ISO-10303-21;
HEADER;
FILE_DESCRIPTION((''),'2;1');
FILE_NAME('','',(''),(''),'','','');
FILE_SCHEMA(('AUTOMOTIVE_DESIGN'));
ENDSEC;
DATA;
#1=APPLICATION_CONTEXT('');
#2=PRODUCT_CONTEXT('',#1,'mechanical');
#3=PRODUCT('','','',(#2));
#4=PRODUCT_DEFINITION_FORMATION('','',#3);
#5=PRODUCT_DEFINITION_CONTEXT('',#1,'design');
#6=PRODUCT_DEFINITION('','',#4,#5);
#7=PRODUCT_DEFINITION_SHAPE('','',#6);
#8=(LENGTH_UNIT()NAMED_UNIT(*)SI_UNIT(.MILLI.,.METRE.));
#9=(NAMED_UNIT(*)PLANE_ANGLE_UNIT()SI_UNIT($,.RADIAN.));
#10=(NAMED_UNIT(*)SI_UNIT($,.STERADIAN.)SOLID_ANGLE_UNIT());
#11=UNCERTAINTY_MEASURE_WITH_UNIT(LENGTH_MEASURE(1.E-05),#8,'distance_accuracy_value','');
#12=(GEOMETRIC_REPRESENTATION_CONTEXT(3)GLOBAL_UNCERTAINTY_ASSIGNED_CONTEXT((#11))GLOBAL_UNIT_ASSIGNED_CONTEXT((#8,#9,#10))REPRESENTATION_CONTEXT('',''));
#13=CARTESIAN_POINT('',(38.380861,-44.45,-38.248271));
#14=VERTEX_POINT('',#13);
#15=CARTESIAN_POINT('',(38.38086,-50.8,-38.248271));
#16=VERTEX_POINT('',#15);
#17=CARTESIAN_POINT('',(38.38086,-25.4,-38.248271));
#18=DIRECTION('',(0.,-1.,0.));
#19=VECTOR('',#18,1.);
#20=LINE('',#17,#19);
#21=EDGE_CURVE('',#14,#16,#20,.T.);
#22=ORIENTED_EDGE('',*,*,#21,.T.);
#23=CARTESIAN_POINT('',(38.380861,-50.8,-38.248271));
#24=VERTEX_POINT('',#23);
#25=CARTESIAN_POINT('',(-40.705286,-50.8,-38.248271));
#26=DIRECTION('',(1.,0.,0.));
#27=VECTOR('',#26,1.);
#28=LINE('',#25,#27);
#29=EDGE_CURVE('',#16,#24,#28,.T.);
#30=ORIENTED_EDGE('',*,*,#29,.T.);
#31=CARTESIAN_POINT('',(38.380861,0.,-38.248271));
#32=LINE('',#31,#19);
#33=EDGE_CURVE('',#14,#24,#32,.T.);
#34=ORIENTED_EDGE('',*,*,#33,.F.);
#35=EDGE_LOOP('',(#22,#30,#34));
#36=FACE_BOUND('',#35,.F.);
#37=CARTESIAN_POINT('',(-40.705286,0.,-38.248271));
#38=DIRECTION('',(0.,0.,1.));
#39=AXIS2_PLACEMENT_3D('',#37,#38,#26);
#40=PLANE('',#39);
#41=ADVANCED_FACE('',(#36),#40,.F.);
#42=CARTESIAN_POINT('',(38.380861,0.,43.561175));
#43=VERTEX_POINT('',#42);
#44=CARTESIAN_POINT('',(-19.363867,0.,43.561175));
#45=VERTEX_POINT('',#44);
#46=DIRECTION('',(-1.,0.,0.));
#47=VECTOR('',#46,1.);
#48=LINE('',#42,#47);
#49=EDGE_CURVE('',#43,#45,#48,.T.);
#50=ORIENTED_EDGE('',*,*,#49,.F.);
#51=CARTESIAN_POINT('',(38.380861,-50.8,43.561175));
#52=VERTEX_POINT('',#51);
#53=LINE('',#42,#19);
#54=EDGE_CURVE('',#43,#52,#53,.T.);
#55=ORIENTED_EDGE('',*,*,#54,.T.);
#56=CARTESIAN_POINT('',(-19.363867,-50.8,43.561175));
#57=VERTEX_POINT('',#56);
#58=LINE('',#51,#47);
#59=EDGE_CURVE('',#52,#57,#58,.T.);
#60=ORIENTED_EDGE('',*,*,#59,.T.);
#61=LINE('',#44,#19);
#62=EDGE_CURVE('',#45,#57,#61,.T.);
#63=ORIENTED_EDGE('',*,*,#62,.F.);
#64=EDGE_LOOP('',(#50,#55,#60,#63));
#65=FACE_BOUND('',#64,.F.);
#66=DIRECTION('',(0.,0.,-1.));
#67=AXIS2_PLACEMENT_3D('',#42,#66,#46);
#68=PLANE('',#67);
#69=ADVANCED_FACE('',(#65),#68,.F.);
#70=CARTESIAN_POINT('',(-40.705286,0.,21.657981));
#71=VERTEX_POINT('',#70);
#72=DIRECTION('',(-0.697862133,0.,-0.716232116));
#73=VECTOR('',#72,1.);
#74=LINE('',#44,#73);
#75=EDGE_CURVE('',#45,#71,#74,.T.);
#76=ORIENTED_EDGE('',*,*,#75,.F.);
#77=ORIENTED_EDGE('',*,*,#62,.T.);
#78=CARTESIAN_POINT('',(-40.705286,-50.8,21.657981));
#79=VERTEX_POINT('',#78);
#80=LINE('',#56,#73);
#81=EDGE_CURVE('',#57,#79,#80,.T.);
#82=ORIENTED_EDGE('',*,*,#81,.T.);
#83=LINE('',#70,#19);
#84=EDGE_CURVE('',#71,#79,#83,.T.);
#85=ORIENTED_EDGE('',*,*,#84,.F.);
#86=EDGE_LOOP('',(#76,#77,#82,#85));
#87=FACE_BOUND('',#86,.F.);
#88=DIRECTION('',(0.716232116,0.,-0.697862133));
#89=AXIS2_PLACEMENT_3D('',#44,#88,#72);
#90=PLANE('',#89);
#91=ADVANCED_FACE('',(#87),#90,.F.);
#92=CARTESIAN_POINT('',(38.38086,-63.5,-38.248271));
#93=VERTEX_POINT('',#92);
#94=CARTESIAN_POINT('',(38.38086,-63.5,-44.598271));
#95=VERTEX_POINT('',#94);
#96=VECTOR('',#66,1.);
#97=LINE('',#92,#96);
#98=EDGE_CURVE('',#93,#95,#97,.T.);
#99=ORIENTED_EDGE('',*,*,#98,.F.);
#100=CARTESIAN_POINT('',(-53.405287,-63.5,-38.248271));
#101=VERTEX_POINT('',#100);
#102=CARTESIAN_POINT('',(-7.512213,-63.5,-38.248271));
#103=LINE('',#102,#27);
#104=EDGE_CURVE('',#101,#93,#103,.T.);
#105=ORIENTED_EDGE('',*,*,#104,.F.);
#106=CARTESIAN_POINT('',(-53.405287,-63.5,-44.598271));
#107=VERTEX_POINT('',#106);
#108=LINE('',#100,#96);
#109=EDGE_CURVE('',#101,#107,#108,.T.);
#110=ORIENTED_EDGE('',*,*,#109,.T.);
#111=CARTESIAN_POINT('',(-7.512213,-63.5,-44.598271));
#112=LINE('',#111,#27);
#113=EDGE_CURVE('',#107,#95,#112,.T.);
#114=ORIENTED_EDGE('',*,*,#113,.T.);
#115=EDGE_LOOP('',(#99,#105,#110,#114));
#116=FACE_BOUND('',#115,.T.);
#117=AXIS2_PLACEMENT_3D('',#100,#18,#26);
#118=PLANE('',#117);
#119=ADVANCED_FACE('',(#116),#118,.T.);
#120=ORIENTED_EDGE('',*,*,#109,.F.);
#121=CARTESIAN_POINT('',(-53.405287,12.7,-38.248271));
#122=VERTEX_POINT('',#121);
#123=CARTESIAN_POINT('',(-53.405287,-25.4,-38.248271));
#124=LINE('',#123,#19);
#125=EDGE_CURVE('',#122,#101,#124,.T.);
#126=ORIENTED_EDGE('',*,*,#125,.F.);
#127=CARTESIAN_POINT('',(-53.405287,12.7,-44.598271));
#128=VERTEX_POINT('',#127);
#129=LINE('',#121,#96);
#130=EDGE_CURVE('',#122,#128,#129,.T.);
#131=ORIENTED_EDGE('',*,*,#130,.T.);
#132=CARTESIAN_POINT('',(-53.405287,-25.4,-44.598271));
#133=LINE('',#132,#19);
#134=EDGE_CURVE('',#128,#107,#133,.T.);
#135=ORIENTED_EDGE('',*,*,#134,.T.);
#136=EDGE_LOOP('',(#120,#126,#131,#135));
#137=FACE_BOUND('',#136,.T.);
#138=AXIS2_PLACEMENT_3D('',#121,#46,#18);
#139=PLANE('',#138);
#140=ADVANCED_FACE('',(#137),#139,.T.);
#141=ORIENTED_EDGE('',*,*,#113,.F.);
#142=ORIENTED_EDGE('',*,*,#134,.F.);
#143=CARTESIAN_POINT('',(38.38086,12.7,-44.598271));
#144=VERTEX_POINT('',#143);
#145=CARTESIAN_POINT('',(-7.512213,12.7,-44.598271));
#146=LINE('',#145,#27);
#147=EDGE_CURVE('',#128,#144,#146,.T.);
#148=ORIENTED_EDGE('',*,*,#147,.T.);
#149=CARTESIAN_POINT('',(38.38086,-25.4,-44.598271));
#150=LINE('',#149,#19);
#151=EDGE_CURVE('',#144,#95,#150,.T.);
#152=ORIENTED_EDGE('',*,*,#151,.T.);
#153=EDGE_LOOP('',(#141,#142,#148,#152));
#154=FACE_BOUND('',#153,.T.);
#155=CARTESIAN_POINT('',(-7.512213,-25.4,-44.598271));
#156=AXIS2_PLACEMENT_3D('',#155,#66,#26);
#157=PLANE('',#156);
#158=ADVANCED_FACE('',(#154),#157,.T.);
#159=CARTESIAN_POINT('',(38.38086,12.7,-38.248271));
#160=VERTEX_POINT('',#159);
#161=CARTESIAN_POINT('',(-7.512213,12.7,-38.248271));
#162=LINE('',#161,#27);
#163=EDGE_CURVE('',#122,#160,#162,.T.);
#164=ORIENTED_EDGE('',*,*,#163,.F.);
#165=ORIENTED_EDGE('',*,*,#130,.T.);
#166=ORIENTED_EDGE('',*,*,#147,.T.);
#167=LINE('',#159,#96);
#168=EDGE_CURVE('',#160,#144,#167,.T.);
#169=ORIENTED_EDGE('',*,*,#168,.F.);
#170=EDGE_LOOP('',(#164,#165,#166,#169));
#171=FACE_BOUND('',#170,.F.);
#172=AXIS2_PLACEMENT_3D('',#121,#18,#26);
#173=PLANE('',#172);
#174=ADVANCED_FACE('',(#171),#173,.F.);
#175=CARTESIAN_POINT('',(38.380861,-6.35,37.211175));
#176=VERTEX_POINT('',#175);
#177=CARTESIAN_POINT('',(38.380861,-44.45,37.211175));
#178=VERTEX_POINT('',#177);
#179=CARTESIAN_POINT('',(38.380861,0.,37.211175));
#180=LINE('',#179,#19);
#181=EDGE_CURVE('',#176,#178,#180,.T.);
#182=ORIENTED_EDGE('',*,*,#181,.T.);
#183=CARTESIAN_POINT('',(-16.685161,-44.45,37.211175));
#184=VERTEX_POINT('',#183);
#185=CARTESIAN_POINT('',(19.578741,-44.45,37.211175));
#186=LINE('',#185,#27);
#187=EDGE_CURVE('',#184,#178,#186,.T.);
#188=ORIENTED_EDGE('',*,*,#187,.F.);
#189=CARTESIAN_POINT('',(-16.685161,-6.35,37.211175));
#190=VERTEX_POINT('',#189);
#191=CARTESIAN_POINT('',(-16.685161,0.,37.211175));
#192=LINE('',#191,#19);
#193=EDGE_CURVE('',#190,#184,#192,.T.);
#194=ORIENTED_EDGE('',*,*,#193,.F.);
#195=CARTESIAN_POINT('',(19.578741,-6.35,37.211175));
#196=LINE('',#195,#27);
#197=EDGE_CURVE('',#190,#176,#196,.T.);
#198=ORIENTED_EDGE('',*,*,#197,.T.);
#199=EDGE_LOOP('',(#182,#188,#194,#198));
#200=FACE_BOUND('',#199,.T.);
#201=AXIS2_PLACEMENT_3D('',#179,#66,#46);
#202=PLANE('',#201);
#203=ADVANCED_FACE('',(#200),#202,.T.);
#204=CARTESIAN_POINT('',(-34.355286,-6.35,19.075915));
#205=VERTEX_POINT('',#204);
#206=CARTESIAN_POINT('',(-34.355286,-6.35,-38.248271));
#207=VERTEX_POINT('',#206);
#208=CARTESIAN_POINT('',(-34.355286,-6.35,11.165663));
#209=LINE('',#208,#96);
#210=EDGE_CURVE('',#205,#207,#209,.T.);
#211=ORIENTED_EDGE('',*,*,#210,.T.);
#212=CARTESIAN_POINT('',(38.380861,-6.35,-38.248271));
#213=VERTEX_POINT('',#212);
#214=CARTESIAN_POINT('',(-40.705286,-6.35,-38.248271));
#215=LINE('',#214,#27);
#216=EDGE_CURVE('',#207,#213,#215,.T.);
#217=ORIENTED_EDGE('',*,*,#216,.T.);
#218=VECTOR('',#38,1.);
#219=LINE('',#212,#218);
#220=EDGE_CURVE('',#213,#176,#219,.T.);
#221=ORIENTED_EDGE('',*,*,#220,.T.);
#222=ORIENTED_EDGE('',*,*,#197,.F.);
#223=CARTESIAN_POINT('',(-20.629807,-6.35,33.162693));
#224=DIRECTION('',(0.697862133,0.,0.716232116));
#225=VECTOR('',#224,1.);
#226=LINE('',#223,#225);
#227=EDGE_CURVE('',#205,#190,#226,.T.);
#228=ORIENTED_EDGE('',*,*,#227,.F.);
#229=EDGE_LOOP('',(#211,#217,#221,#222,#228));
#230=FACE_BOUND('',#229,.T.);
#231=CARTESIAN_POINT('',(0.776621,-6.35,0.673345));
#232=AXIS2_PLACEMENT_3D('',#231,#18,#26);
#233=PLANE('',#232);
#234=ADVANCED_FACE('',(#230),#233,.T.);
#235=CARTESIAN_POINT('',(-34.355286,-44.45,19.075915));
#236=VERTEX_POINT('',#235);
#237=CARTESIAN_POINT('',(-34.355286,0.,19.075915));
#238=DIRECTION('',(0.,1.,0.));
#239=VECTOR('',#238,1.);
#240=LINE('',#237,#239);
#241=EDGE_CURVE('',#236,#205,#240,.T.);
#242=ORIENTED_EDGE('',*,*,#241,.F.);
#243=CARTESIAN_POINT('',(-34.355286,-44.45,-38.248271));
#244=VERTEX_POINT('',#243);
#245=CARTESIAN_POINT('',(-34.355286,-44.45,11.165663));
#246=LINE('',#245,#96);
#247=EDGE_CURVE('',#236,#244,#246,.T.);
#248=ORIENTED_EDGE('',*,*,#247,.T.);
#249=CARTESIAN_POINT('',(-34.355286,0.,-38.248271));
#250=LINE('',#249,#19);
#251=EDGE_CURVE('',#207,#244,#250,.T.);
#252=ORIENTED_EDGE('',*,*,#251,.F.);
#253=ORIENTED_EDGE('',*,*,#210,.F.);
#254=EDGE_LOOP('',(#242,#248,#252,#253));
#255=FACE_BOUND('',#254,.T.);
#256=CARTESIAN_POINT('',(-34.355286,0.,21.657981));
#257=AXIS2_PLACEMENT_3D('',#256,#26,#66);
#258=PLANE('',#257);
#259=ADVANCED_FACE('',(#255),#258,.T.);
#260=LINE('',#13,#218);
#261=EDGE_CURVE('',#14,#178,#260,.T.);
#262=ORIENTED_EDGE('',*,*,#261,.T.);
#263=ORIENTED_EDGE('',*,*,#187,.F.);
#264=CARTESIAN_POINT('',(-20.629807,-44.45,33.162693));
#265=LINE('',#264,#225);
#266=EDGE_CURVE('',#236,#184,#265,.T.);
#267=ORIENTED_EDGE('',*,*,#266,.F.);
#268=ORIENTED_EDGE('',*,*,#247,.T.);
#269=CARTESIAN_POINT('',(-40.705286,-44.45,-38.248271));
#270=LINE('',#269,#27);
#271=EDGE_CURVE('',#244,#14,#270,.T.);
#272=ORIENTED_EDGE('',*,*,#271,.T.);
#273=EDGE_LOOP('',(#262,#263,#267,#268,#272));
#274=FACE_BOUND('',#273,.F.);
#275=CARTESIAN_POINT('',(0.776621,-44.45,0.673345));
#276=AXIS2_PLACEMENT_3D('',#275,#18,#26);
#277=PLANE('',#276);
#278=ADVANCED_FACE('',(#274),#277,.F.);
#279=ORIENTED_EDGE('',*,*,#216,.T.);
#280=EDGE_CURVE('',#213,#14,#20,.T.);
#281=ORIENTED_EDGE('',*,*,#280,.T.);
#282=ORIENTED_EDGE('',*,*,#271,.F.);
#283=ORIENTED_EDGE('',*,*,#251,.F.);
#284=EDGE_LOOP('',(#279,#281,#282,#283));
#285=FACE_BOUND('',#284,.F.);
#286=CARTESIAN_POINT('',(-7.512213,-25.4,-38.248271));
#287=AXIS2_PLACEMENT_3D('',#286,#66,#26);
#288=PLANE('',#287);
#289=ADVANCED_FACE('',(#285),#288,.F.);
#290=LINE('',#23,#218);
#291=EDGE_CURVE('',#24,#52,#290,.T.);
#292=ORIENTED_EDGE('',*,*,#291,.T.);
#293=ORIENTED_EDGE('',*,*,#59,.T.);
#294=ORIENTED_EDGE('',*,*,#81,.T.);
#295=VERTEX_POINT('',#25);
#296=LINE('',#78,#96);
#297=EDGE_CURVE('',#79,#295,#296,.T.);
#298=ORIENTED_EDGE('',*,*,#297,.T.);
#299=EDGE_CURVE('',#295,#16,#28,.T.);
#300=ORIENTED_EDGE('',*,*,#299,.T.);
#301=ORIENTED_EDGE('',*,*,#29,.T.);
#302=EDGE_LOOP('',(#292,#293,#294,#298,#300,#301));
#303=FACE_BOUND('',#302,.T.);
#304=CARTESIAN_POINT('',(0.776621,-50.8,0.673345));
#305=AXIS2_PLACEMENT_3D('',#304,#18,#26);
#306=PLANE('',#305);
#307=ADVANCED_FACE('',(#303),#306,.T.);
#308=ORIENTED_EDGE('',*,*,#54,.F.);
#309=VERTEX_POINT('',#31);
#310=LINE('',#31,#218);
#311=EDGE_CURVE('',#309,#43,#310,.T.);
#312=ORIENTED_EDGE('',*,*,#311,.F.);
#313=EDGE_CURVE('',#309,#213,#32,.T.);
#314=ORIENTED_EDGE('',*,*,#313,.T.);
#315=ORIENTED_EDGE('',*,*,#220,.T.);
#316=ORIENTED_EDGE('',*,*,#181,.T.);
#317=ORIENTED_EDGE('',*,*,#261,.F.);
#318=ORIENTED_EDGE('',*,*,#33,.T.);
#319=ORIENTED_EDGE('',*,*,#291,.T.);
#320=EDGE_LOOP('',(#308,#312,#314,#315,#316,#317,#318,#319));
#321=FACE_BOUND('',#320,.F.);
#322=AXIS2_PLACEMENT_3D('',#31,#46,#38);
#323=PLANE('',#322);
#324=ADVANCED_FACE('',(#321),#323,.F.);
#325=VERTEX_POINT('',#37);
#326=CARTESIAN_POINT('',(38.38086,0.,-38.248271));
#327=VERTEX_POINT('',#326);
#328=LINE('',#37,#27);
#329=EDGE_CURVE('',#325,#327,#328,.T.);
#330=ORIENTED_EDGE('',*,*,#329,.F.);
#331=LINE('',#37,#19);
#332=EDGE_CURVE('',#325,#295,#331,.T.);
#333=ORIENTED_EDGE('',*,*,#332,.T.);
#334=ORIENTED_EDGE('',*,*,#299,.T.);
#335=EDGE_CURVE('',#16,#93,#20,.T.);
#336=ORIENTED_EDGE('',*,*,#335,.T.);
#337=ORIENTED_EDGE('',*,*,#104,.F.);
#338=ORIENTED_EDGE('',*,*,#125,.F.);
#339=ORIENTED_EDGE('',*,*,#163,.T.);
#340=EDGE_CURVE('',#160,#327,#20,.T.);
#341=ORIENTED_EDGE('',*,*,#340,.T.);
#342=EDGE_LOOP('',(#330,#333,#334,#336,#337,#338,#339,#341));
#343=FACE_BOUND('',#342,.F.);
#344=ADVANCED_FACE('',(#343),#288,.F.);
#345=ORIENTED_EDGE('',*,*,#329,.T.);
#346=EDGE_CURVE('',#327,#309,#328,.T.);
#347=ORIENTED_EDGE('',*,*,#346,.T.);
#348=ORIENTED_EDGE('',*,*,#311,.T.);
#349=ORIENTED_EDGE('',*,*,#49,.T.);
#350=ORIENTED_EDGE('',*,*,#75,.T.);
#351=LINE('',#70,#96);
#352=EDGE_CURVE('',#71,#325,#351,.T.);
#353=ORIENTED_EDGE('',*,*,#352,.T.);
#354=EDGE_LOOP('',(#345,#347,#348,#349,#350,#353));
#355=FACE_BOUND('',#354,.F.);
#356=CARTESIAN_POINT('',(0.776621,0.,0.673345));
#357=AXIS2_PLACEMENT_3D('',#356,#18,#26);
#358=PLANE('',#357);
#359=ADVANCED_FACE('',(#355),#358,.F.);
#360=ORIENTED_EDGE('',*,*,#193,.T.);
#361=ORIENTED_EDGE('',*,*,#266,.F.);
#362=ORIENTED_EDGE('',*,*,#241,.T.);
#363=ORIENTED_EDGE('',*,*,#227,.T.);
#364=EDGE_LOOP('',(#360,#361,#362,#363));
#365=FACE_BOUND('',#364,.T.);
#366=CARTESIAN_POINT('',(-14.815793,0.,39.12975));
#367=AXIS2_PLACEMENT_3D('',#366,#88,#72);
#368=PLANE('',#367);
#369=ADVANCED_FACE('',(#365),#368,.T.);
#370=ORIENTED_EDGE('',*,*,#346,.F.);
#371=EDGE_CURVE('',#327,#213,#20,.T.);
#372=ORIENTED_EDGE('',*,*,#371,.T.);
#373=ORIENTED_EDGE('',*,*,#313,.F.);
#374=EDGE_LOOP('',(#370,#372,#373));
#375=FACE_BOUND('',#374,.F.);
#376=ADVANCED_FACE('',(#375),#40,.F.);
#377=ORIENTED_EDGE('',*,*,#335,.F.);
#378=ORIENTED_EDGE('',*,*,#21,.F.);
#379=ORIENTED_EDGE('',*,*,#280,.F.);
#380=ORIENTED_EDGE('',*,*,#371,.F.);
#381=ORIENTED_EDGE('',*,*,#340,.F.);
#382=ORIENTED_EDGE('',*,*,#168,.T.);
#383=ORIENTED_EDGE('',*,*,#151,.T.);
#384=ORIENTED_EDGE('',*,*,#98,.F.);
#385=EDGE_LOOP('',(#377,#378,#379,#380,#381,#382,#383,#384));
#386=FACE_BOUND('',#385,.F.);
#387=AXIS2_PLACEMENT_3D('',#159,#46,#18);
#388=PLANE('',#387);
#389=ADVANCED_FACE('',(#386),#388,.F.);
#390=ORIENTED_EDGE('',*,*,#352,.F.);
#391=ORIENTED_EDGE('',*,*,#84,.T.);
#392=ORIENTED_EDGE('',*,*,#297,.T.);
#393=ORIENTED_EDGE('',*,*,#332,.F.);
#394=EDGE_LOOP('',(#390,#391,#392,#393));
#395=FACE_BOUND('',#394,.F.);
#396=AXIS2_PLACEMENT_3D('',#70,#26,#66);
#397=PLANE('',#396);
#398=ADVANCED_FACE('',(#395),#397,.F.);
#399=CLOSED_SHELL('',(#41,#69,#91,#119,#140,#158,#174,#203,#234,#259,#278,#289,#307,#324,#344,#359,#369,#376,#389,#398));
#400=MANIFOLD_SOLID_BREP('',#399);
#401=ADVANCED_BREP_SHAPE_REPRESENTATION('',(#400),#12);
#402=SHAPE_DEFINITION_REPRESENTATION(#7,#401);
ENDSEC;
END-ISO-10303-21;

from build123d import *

# Parameters (mm, degrees)
F1_DEPTH = 50.8
F2_T     = -6.35
F3_W     = 91.786147
F3_H     = 76.2
F4_DEPTH = 6.35


with BuildPart() as f1:
    # F0 (on Front) → F1 (new body)
    with BuildSketch(Plane.XZ):
        Polygon((38.380861, 43.561175), (-19.363867, 43.561175), (-40.705286, 21.657981), (-40.705286, -38.248271), (38.380861, -38.248271), align=None)
    extrude(amount=F1_DEPTH)

    # F2
    f2_openings = [f1.faces().sort_by_distance(p)[0] for p in [
        (38.380861, -25.4, 2.656452),
        (-1.162212, -25.4, -38.248271),
    ]]
    offset(amount=F2_T, openings=f2_openings)

    # F3 (on face) → F4 (join)
    with BuildSketch(Plane(origin=(0, 0, -38.248271), x_dir=(1, 0, 0), z_dir=(0, 0, -1))):
        with Locations((-7.512213, 25.4)):
            Rectangle(F3_W, F3_H)
    extrude(amount=F4_DEPTH)


solid = f1.part
